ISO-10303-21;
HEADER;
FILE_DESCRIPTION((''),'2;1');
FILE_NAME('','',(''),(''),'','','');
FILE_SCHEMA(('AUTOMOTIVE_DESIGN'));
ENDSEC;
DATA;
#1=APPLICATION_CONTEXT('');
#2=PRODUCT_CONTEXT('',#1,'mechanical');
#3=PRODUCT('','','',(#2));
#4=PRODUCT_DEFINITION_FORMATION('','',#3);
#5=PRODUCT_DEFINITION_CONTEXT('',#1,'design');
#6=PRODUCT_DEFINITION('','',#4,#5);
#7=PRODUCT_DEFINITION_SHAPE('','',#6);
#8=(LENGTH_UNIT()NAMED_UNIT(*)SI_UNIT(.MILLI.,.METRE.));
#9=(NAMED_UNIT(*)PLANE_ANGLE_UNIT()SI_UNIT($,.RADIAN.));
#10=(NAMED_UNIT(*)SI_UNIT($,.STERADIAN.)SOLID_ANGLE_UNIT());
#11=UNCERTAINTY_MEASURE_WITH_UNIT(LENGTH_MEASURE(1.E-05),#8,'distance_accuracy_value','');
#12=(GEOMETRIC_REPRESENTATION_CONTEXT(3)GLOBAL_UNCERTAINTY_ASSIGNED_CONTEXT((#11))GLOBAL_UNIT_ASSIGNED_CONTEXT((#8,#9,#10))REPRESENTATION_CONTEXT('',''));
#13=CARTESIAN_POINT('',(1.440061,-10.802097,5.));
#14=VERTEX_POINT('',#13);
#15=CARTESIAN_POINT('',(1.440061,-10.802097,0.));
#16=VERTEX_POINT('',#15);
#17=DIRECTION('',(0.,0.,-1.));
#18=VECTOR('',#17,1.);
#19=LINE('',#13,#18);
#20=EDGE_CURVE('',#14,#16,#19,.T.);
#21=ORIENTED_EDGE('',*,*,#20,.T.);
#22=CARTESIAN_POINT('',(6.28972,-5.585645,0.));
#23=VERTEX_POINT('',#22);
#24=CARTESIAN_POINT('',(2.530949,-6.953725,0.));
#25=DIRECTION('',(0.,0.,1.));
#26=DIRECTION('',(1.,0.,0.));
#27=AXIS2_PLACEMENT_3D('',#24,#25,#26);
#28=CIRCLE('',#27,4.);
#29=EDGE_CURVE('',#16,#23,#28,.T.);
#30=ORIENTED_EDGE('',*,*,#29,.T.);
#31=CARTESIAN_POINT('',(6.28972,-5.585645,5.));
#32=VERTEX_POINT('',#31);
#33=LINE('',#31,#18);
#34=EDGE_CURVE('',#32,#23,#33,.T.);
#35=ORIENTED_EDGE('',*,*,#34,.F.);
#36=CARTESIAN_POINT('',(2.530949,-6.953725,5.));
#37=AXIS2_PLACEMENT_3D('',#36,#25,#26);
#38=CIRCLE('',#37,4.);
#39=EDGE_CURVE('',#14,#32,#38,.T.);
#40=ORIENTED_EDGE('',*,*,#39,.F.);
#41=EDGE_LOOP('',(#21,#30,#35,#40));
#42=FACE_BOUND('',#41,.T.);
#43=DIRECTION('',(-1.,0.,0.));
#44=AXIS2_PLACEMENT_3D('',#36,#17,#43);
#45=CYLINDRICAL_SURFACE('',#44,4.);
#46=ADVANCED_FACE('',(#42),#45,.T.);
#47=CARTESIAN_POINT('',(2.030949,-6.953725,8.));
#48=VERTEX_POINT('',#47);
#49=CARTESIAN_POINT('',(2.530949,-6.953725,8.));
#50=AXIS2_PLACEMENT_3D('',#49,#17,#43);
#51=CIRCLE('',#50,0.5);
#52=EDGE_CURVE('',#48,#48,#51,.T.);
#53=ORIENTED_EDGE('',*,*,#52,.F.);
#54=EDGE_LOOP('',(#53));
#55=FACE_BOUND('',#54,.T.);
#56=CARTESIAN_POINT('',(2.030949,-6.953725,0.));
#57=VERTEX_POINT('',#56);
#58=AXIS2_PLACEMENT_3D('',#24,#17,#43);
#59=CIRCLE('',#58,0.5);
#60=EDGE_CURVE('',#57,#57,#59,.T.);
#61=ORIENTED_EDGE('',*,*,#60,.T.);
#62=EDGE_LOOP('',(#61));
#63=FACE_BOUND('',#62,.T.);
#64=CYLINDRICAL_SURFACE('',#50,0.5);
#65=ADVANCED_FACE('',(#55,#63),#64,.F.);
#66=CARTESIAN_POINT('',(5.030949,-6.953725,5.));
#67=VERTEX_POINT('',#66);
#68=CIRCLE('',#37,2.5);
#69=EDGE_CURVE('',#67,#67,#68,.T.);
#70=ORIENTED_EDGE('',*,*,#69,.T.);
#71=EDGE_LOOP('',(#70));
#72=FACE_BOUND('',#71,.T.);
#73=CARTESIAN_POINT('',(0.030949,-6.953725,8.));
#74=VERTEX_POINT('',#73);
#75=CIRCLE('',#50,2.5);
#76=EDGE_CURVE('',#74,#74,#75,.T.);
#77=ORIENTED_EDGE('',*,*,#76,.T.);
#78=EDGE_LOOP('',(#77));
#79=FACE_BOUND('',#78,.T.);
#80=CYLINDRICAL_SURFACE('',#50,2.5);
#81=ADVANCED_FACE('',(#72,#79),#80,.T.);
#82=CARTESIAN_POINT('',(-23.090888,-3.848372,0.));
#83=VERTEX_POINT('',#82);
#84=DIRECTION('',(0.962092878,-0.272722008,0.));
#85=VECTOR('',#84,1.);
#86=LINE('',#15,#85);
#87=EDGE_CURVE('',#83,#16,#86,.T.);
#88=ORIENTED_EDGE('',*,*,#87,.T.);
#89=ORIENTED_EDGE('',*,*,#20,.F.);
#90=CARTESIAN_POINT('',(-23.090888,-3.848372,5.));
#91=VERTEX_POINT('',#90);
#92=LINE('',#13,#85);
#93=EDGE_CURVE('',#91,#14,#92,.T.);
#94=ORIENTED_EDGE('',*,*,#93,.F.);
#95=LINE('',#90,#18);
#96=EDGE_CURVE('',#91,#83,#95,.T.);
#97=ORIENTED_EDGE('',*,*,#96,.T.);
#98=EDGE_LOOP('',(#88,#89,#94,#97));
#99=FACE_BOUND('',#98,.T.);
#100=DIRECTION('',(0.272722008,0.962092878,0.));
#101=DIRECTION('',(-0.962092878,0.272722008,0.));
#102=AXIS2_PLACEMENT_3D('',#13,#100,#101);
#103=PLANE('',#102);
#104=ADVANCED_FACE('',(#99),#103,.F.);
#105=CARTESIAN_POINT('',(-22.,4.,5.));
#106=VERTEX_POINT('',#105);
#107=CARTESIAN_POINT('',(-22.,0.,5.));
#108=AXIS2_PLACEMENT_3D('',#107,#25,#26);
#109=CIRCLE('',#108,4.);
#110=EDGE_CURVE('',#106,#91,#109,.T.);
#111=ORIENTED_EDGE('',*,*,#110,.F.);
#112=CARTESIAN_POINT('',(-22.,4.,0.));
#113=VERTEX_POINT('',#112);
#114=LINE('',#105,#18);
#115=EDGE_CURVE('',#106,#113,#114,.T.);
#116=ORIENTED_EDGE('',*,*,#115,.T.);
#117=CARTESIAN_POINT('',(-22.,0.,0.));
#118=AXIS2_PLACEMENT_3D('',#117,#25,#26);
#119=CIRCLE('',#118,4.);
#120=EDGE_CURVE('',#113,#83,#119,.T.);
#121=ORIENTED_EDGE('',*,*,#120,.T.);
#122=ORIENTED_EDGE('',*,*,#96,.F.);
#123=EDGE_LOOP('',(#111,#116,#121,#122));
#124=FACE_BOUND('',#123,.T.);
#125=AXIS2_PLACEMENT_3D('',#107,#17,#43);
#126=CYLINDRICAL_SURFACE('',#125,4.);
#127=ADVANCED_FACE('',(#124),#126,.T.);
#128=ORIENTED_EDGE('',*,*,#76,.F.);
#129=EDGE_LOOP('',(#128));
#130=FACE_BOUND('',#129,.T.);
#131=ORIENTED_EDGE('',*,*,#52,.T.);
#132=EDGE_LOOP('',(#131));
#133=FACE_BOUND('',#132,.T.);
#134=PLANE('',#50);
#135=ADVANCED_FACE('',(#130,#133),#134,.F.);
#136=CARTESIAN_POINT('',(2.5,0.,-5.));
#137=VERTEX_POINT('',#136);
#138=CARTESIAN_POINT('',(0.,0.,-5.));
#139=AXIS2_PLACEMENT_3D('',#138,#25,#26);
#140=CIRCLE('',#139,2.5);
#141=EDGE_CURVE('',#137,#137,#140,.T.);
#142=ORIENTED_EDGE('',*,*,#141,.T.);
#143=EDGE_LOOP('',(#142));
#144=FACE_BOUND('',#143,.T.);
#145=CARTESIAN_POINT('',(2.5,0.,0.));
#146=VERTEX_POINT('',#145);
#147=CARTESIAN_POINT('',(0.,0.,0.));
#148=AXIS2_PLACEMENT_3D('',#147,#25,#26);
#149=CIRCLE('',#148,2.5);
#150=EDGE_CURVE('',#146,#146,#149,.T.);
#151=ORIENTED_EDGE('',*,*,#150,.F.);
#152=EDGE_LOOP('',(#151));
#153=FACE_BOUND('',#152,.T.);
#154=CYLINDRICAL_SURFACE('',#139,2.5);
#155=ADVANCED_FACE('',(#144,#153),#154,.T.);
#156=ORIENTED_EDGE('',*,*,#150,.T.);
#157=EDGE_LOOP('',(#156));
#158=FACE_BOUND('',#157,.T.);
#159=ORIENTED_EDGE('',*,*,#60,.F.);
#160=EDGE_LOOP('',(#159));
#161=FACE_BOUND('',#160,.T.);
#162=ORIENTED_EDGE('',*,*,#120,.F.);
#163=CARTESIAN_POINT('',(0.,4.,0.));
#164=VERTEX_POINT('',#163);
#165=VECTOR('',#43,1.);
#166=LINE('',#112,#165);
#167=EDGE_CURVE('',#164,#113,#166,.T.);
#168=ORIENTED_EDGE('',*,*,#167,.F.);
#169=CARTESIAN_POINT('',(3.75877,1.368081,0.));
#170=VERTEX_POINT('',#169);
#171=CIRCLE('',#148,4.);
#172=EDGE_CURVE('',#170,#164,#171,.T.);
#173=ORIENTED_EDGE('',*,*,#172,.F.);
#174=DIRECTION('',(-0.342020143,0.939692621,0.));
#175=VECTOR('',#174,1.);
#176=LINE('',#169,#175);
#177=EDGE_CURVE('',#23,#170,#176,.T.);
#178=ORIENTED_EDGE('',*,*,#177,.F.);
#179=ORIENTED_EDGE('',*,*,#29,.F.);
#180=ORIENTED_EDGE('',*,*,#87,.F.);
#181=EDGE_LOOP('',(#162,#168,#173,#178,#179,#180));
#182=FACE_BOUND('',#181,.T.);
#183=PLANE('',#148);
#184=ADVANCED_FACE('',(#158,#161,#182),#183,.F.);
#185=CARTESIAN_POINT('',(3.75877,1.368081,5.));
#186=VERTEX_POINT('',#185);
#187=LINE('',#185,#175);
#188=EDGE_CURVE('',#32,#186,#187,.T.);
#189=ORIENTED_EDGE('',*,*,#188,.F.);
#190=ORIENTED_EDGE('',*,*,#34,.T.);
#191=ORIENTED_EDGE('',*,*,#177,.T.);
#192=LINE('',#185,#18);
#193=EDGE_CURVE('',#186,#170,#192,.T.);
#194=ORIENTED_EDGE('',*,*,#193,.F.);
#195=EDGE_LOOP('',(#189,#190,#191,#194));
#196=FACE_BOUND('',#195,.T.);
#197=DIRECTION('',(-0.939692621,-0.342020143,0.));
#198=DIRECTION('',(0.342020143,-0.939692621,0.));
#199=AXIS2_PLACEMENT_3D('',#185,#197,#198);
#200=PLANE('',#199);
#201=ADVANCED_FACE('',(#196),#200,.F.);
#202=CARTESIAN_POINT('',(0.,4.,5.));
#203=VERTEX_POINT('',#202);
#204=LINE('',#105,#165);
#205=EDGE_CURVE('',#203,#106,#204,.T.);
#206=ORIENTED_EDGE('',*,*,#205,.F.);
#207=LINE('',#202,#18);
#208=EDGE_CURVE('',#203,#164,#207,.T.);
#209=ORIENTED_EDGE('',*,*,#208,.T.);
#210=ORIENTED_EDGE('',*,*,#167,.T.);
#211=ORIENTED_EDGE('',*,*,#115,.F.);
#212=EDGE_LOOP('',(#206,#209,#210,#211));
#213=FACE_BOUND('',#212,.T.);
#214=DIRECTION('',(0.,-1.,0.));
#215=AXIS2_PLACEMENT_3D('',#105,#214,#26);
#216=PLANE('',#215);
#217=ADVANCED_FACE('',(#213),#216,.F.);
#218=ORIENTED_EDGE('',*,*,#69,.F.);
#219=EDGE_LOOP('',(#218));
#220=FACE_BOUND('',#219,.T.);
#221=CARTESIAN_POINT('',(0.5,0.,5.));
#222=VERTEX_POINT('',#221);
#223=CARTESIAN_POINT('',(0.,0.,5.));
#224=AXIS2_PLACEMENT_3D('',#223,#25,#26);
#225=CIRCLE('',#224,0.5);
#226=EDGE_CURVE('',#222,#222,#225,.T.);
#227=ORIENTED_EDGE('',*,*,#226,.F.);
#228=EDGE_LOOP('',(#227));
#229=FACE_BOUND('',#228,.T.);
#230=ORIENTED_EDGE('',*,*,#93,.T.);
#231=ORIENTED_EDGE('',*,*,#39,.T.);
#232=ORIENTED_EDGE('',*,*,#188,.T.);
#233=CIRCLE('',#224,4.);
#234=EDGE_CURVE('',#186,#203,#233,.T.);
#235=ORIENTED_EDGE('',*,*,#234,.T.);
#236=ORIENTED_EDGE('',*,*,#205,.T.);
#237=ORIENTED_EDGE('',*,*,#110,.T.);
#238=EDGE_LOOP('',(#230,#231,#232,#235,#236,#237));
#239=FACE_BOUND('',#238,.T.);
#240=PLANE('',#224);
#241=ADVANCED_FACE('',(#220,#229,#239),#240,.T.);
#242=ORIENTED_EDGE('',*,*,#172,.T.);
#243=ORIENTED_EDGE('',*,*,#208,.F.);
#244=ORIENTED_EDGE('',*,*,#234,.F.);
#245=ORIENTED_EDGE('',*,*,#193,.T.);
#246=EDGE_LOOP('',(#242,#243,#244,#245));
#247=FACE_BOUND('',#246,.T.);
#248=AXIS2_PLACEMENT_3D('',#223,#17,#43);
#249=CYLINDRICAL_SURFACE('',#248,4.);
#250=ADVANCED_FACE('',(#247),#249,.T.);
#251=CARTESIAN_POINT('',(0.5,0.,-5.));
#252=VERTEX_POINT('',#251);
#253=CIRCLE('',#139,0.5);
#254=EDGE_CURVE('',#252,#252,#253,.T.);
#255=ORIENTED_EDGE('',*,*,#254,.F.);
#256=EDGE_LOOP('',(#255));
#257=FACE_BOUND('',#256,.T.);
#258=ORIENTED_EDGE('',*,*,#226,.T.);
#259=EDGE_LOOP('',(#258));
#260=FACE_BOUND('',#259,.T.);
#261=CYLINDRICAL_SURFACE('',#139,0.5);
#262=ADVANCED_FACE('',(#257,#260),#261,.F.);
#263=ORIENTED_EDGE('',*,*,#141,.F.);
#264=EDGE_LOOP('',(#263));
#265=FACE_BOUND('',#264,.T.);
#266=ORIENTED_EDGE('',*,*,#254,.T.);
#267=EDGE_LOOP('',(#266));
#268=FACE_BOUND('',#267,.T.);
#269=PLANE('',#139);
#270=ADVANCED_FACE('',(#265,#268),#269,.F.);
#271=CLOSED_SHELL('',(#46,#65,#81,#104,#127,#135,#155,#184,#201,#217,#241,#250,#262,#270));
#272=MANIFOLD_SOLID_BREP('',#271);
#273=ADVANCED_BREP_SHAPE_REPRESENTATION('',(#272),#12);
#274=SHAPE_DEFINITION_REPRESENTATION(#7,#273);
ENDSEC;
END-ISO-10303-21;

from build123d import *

# Parameters (mm, degrees)
SKETCH2_R           = 2.5
BOSS_EXTRUDE1_DEPTH = 5
BOSS_EXTRUDE2_START = -10
SKETCH3_R           = 2.5
SKETCH3_R_2         = 0.5
BOSS_EXTRUDE2_DEPTH = 10
SKETCH4_R           = 2.5
SKETCH4_R_2         = 0.5
BOSS_EXTRUDE3_DEPTH = 8
SKETCH5_R           = 2.5
BOSS_EXTRUDE4_DEPTH = 5


with BuildPart() as part:
    # Sketch2 → Boss-Extrude1 (new body)
    with BuildSketch(Plane.XY):
        with BuildLine():
            Line((-22, 4), (0, 4))
            ThreePointArc((0, 4), (2.294305745, 3.276608177), (3.758770483, 1.368080573))
            Line((3.758770483, 1.368080573), (6.289719544, -5.585644821))
            ThreePointArc((6.289719544, -5.585644821), (5.460495491, -9.677281472), (1.44006103, -10.802096907))
            Line((1.44006103, -10.802096907), (-23.090888031, -3.848371513))
            ThreePointArc((-23.090888031, -3.848371513), (-25.961911537, 0.550687728), (-22, 4))
        make_face()
        with Locations((-22, 0)):
            Circle(SKETCH2_R, mode=Mode.SUBTRACT)
        Circle(SKETCH2_R, mode=Mode.SUBTRACT)
        with Locations((2.530949061, -6.953725394)):
            Circle(SKETCH2_R, mode=Mode.SUBTRACT)
    extrude(amount=BOSS_EXTRUDE1_DEPTH)

    # Sketch3 → Boss-Extrude2 (add)
    with BuildSketch(Plane.XY.offset(5).offset(BOSS_EXTRUDE2_START)):
        Circle(SKETCH3_R)
        Circle(SKETCH3_R_2, mode=Mode.SUBTRACT)
    extrude(amount=BOSS_EXTRUDE2_DEPTH)

    # Sketch4 → Boss-Extrude3 (add)
    with BuildSketch(Plane(origin=(0, 0, 0), x_dir=(-1, 0, 0), z_dir=(0, 0, -1))):
        with Locations((-2.530949061, -6.953725394)):
            Circle(SKETCH4_R)
        with Locations((-2.530949061, -6.953725394)):
            Circle(SKETCH4_R_2, mode=Mode.SUBTRACT)
    extrude(amount=-BOSS_EXTRUDE3_DEPTH)

    # Sketch5 → Boss-Extrude4 (add)
    with BuildSketch(Plane(origin=(0, 0, 0), x_dir=(-1, 0, 0), z_dir=(0, 0, -1))):
        with Locations((22, 0)):
            Circle(SKETCH5_R)
    extrude(amount=-BOSS_EXTRUDE4_DEPTH)


solid = part.part
